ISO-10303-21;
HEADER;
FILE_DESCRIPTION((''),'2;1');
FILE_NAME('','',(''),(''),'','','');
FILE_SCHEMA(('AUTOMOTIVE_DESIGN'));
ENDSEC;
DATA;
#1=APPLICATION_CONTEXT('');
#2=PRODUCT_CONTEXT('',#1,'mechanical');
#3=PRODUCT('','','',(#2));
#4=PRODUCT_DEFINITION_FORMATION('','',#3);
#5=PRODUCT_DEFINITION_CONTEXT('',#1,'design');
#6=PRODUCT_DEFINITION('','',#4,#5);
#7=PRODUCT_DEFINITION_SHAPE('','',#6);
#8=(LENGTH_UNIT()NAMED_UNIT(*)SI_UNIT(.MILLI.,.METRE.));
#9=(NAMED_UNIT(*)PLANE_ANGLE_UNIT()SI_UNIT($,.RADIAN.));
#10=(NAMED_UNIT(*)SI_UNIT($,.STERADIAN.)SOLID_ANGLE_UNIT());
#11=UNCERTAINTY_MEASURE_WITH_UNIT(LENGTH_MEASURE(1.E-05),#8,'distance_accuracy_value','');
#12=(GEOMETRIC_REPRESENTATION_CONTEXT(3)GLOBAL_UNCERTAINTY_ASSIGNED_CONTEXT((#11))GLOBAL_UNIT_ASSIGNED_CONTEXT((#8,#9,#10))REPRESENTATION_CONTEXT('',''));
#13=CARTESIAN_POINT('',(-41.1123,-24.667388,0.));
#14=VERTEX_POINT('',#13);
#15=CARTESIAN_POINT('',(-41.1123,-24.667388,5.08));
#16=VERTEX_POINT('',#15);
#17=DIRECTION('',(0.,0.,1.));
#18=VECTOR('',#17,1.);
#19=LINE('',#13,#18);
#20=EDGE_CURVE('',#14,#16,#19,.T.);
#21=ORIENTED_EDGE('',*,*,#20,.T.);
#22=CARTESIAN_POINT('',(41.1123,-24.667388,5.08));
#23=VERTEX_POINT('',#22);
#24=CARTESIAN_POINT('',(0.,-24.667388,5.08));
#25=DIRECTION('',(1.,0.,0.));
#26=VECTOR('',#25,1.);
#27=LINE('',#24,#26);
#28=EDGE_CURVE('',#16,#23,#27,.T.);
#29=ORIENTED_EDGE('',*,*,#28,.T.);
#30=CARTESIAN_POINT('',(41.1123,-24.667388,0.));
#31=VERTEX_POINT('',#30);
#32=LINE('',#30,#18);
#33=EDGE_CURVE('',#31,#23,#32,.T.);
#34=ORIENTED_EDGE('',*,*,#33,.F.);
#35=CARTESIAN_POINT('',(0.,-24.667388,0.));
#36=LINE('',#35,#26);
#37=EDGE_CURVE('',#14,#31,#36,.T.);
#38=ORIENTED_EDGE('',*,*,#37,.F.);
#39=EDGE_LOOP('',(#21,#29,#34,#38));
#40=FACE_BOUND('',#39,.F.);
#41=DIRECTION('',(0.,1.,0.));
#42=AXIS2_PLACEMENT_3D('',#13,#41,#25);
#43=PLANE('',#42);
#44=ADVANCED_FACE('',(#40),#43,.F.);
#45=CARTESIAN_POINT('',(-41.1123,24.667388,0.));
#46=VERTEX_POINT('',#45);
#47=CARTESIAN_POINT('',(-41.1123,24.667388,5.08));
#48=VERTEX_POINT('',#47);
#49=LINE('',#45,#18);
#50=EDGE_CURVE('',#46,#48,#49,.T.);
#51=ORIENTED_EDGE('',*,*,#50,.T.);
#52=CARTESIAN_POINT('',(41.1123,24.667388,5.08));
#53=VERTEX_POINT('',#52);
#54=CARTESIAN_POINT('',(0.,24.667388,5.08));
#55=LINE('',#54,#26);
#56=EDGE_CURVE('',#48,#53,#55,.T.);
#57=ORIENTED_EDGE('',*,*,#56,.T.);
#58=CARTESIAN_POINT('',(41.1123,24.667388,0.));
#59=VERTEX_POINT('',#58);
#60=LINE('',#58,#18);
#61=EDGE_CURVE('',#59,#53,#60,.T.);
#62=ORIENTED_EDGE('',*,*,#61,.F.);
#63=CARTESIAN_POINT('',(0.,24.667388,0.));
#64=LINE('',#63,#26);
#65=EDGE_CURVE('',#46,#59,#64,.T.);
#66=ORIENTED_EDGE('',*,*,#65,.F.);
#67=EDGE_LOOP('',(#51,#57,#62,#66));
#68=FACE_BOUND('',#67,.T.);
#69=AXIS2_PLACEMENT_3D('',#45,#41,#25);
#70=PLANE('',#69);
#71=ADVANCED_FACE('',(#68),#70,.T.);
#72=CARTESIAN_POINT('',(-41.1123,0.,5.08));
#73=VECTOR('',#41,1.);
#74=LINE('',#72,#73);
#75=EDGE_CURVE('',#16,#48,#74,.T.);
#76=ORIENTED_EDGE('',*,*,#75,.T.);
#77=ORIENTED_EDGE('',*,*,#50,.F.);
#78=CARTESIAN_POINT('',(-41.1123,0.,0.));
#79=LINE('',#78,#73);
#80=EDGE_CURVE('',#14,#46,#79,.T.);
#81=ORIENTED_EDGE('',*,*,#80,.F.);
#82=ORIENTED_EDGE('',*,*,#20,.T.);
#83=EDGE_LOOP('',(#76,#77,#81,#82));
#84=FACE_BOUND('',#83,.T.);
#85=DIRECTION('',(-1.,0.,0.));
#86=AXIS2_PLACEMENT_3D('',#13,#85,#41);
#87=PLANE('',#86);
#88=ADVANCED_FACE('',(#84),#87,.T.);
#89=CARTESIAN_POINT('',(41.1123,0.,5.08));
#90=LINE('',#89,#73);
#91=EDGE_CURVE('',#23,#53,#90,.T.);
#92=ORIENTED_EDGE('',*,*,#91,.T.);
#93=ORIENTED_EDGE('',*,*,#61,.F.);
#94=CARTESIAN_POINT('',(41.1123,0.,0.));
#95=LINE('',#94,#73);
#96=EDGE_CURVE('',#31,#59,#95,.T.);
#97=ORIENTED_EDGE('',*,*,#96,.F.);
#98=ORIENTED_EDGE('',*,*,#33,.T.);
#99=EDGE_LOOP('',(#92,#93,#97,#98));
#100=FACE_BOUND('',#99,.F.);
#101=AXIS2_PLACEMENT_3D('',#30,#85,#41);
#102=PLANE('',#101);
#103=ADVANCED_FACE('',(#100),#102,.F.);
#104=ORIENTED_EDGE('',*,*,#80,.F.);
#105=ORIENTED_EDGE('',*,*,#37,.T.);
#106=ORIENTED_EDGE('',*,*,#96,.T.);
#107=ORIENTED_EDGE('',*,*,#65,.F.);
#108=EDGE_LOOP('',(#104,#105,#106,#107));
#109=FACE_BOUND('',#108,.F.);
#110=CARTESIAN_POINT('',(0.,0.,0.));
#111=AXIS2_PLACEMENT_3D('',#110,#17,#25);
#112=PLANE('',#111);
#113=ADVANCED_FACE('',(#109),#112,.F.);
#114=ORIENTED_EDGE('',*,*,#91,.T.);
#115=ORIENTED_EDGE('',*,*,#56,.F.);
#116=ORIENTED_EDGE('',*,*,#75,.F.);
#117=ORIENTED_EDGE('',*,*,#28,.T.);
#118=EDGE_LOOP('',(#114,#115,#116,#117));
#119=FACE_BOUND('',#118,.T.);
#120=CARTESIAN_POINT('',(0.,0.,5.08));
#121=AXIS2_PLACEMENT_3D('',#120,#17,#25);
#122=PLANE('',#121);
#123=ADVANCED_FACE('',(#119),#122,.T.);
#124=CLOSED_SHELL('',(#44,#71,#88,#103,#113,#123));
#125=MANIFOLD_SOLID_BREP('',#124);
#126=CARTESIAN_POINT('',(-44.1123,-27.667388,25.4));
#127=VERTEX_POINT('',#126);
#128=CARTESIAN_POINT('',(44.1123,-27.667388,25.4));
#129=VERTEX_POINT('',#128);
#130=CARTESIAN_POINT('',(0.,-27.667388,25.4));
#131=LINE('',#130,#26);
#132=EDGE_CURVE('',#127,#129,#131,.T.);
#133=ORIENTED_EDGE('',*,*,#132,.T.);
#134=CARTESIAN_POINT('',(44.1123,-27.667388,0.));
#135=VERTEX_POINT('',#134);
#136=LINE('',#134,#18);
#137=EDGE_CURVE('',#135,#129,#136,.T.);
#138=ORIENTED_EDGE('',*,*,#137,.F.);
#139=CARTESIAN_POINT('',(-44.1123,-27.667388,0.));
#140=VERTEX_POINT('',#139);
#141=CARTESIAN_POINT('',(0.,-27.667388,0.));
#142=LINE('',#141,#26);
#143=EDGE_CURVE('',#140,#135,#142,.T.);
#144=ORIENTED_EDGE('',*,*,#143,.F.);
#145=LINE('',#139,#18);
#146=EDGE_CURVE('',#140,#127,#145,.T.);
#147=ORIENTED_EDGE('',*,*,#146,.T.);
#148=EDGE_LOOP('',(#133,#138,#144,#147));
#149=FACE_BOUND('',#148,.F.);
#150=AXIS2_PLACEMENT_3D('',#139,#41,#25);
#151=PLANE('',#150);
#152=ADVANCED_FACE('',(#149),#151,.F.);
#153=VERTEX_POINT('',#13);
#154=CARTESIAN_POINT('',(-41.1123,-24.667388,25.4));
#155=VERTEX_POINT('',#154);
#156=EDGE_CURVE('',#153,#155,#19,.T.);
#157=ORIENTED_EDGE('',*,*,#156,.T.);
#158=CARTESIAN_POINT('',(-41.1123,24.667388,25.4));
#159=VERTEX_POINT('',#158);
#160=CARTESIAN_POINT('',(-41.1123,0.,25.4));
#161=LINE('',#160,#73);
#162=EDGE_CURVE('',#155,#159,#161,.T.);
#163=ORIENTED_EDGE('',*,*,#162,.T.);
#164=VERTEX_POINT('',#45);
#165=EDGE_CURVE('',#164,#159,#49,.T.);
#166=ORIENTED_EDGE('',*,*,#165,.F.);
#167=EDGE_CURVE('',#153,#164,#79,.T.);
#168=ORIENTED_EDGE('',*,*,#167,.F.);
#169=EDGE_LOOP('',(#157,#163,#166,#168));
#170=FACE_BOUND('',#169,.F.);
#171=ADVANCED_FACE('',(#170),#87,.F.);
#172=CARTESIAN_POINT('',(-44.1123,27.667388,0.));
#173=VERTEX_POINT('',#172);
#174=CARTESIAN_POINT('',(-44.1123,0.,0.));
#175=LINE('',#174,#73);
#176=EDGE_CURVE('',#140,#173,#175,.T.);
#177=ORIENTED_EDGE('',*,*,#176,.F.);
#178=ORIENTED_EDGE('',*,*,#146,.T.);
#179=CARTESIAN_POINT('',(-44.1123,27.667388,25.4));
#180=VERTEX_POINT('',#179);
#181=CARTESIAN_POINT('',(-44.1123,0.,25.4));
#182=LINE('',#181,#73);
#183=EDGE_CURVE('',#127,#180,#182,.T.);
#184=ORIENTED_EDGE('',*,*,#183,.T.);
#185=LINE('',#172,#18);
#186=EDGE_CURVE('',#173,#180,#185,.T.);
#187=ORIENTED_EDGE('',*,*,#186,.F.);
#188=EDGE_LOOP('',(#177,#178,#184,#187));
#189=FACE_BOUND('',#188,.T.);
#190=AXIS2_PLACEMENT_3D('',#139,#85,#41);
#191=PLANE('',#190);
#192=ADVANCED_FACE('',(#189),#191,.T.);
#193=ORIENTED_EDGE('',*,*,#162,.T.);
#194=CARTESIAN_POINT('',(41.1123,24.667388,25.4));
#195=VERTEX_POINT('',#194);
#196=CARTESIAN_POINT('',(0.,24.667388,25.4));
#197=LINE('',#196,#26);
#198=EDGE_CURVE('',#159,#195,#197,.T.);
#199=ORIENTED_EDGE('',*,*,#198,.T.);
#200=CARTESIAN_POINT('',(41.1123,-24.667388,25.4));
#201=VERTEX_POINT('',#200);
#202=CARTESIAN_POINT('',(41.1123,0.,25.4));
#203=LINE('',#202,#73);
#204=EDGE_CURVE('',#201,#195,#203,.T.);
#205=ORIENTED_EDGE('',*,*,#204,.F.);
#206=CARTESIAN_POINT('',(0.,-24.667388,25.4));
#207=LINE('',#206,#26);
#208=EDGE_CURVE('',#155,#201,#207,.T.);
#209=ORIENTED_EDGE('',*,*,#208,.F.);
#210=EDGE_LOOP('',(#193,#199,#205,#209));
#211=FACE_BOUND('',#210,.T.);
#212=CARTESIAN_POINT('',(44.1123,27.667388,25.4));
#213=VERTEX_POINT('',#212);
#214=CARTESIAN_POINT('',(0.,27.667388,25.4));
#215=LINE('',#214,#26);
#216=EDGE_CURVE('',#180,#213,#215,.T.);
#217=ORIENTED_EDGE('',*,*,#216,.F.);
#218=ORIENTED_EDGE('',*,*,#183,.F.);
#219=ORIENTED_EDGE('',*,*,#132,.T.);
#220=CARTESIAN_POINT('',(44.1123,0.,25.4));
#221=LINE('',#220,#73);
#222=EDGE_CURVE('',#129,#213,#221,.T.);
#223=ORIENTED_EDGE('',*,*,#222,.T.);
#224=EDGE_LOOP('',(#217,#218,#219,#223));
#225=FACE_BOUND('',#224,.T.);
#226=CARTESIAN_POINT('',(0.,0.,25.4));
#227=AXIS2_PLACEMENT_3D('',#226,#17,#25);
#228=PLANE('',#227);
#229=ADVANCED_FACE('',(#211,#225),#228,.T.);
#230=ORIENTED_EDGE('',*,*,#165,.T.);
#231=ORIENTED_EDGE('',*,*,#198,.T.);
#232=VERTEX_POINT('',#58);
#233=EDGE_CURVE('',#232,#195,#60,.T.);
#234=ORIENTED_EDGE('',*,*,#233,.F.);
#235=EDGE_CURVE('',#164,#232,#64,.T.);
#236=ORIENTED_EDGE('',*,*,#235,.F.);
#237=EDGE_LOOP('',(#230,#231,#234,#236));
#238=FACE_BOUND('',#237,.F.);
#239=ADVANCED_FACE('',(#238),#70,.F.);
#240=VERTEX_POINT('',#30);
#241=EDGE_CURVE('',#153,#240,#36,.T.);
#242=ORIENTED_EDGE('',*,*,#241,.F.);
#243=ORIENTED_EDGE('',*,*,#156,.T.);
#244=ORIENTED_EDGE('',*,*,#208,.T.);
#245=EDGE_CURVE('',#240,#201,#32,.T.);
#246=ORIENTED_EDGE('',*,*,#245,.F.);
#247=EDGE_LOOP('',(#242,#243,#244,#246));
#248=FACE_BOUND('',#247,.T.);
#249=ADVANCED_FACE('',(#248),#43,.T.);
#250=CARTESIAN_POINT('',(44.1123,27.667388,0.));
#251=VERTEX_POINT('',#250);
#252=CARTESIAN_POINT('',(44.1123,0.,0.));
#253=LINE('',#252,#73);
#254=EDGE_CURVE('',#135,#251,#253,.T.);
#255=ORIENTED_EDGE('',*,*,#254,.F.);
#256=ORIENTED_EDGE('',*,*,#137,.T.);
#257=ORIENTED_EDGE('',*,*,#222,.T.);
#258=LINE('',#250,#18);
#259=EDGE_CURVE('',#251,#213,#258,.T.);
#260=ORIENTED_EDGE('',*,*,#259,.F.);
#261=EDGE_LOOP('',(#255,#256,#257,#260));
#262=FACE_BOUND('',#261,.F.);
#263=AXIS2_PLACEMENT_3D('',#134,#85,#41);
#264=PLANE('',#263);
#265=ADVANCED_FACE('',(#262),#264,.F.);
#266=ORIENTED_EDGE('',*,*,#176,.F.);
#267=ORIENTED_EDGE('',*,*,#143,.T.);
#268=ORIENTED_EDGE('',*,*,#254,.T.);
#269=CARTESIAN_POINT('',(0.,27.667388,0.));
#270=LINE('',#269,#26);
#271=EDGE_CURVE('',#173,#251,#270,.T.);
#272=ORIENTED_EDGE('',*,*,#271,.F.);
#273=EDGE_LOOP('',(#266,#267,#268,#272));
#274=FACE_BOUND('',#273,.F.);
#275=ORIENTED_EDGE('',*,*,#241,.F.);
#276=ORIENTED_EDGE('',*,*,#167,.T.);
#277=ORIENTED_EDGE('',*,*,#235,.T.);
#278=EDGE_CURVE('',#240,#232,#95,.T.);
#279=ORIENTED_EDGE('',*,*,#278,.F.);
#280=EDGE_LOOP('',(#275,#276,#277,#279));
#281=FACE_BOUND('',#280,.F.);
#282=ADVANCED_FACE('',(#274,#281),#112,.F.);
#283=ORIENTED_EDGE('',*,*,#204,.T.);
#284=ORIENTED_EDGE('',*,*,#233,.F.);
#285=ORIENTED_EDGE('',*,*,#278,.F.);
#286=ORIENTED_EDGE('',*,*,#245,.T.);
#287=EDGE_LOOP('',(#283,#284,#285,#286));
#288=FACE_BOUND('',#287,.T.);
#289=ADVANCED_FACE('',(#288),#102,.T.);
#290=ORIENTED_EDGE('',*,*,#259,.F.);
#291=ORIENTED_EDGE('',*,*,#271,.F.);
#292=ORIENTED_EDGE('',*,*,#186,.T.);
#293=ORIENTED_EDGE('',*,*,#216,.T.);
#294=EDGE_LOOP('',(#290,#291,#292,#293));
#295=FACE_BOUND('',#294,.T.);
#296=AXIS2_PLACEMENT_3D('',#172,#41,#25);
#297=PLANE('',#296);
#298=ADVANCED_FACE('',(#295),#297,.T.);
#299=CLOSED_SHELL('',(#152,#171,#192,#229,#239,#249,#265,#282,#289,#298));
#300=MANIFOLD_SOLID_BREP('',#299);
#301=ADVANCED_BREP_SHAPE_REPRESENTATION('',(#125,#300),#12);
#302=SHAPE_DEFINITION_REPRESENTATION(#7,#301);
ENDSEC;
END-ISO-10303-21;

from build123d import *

# Parameters (mm, degrees)
F0_W     = 88.2246
F0_H     = 55.334776
F0_W_2   = 82.2246
F0_H_2   = 49.334776
F2_DEPTH = 25.4
F1_W     = 82.2246
F1_H     = 49.334776
F3_DEPTH = 5.08


with BuildPart() as f2:
    # F0 (on Top) → F2 (new body)
    with BuildSketch(Plane.XY):
        Rectangle(F0_W, F0_H)
        Rectangle(F0_W_2, F0_H_2, mode=Mode.SUBTRACT)
    extrude(amount=F2_DEPTH)


with BuildPart() as f3:
    # F1 (on face) → F3 (new body)
    with BuildSketch(Plane.XY):
        Rectangle(F1_W, F1_H)
    extrude(amount=F3_DEPTH)


solid = Compound([f2.part, f3.part])
